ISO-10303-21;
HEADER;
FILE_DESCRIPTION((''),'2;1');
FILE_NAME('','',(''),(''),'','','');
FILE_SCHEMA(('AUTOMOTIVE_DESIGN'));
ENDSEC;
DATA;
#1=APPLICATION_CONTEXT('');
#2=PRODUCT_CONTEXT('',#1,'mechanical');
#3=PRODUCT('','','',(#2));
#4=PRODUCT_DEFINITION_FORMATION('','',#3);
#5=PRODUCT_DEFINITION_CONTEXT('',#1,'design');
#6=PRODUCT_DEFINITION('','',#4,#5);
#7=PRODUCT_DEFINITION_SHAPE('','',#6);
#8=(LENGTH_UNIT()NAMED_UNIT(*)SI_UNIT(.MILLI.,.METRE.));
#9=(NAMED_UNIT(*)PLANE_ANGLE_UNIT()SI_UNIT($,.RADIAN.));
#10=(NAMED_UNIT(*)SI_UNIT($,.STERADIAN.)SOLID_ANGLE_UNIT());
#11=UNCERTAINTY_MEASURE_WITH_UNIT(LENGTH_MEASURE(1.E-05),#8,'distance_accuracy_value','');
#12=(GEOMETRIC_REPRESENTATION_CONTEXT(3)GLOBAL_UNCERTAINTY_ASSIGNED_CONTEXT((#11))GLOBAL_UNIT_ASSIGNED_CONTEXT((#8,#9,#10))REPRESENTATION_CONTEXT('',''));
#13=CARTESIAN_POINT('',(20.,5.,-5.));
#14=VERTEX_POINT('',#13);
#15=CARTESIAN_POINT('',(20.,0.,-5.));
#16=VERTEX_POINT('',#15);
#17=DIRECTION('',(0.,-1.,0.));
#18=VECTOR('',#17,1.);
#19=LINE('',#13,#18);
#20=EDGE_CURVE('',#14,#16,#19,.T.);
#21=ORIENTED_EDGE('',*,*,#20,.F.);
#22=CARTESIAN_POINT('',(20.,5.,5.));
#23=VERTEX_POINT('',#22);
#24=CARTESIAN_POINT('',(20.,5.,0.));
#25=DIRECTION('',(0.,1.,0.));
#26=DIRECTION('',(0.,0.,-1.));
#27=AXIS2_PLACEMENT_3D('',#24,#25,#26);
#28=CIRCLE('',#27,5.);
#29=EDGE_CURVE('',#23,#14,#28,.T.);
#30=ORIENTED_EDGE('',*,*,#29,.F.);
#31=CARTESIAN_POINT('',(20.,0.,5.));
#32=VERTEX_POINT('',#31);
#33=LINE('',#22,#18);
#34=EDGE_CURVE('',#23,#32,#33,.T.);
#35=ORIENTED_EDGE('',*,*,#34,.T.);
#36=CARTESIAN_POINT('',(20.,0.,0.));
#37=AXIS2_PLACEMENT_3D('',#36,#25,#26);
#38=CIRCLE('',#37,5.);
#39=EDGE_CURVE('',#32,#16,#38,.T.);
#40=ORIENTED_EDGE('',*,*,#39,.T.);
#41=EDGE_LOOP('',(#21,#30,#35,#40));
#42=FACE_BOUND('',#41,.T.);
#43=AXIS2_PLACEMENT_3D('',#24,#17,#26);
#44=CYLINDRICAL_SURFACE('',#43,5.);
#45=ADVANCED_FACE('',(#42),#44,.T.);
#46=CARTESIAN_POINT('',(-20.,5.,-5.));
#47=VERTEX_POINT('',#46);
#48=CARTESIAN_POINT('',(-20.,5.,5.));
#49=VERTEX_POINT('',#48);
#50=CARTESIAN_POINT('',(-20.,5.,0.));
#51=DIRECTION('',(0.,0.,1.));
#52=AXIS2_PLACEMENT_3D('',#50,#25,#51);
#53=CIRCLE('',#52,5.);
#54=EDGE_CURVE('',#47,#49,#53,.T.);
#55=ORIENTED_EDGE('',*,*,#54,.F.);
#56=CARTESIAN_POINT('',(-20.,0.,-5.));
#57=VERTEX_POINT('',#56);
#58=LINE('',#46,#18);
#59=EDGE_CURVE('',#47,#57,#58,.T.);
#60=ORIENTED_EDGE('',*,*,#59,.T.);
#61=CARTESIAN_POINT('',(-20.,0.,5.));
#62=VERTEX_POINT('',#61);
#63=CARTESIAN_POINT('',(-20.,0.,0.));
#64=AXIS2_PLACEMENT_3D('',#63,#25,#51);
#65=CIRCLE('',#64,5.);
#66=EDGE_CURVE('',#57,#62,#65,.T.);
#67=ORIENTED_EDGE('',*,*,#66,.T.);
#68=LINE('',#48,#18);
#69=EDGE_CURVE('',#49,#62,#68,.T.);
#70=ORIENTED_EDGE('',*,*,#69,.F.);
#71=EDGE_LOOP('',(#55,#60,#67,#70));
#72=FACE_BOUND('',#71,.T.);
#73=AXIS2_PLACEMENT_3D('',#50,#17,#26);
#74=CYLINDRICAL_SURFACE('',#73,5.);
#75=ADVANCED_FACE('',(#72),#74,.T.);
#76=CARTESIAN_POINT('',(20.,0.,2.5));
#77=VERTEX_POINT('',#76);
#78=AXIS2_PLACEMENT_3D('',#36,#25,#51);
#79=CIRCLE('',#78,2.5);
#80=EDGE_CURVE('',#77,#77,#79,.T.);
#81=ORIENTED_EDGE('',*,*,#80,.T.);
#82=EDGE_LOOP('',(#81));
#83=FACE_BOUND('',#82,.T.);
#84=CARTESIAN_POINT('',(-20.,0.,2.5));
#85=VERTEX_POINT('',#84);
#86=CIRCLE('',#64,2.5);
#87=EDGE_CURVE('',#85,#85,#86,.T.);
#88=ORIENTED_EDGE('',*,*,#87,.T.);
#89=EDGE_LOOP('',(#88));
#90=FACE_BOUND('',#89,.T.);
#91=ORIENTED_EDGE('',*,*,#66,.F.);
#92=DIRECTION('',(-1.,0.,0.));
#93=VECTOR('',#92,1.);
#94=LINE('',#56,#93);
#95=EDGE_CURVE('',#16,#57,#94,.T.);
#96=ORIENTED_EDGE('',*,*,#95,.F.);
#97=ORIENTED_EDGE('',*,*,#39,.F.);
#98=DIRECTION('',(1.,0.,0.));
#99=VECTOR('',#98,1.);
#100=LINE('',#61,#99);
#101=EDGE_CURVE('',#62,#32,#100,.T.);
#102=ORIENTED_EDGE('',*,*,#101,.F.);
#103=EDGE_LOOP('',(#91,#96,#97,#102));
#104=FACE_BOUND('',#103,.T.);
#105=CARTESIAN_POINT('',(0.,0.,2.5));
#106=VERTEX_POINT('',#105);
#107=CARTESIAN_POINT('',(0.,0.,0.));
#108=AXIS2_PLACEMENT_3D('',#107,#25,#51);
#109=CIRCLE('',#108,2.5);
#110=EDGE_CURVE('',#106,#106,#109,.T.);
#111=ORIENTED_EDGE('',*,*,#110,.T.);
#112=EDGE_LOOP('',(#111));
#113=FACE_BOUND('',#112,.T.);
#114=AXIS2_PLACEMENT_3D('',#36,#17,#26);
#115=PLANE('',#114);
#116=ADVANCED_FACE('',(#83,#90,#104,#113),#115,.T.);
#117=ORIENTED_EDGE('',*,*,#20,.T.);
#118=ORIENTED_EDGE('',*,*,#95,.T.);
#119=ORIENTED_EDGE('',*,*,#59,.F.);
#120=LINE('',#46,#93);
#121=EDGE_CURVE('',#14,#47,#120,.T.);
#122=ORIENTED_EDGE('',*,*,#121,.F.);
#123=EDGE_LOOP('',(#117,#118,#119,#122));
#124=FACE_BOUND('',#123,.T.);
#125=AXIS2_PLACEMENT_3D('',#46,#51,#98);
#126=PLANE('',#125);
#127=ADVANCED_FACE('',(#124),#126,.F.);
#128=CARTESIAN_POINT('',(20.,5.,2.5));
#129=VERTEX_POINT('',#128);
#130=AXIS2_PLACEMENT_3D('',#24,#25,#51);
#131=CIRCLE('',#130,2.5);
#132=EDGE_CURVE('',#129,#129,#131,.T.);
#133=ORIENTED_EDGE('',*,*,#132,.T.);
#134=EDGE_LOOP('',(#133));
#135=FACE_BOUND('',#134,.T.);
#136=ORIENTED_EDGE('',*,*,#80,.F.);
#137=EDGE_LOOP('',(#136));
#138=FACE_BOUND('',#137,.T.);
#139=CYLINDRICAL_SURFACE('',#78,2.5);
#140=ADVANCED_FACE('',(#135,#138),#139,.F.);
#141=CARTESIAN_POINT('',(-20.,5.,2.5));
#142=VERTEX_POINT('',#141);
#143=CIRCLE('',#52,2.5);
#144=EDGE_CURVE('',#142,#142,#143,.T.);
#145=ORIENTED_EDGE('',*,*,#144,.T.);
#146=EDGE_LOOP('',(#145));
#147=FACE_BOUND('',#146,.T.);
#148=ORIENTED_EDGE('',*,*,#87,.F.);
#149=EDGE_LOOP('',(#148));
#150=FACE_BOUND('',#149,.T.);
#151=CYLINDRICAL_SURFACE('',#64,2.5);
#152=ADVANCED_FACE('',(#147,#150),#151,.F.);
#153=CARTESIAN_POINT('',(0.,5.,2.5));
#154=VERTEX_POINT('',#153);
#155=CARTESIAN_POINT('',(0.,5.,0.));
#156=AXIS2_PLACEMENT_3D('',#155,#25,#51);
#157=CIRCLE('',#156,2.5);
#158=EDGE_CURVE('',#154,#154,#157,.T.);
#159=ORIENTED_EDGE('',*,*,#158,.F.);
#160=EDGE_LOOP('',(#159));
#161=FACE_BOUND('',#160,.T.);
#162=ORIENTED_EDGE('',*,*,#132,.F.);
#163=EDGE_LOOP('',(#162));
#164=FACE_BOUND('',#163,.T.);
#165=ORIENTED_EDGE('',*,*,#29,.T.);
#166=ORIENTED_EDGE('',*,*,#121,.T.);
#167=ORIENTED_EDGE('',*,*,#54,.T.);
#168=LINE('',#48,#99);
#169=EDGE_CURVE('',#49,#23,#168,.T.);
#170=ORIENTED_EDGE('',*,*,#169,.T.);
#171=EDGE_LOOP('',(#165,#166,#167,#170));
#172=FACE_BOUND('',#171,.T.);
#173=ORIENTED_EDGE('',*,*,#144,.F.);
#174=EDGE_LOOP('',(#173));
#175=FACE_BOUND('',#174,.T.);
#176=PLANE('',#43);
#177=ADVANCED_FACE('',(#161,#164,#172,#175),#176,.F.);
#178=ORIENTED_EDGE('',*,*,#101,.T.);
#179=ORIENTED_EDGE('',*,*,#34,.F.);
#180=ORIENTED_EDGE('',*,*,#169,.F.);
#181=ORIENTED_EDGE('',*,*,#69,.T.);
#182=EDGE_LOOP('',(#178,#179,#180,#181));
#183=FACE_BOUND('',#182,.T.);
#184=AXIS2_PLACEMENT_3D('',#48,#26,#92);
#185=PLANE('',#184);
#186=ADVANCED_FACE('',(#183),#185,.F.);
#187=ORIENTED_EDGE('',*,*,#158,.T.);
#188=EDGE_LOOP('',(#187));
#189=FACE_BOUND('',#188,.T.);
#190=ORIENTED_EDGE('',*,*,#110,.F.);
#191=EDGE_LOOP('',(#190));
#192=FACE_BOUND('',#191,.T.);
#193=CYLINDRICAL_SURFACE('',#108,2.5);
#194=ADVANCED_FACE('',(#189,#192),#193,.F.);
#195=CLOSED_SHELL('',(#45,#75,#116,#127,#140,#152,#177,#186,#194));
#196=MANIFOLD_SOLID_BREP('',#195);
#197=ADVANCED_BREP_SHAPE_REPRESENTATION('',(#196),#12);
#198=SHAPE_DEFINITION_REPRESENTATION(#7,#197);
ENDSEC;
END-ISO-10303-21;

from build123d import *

# Parameters (mm, degrees)
BOSS_EXTRUDE1_DEPTH = 5
SKETCH2_R           = 2.5
CUT_EXTRUDE1_DEPTH  = 26.980762114


with BuildPart() as part:
    # Sketch1 → Boss-Extrude1 (new body)
    with BuildSketch(Plane(origin=(0, 0, 0), x_dir=(1, 0, 0), z_dir=(0, 1, 0))):
        with BuildLine():
            Line((-20, -5), (20, -5))
            ThreePointArc((20, -5), (25, 0), (20, 5))
            Line((20, 5), (-20, 5))
            ThreePointArc((-20, 5), (-25, 0), (-20, -5))
        make_face()
    extrude(amount=BOSS_EXTRUDE1_DEPTH)

    # Sketch2 → Cut-Extrude1 (cut, through all)
    with BuildSketch(Plane(origin=(0, 5, 0), x_dir=(1, 0, 0), z_dir=(0, 1, 0))):
        with Locations(Location((-20, 0, 0), (0, 0, 270))):
            Circle(SKETCH2_R)
        with Locations(Location((20, 0, 0), (0, 0, 270))):
            Circle(SKETCH2_R)
        with Locations(Location((0, 0, 0), (0, 0, 270))):
            Circle(SKETCH2_R)
    extrude(amount=-CUT_EXTRUDE1_DEPTH, mode=Mode.SUBTRACT)


solid = part.part
